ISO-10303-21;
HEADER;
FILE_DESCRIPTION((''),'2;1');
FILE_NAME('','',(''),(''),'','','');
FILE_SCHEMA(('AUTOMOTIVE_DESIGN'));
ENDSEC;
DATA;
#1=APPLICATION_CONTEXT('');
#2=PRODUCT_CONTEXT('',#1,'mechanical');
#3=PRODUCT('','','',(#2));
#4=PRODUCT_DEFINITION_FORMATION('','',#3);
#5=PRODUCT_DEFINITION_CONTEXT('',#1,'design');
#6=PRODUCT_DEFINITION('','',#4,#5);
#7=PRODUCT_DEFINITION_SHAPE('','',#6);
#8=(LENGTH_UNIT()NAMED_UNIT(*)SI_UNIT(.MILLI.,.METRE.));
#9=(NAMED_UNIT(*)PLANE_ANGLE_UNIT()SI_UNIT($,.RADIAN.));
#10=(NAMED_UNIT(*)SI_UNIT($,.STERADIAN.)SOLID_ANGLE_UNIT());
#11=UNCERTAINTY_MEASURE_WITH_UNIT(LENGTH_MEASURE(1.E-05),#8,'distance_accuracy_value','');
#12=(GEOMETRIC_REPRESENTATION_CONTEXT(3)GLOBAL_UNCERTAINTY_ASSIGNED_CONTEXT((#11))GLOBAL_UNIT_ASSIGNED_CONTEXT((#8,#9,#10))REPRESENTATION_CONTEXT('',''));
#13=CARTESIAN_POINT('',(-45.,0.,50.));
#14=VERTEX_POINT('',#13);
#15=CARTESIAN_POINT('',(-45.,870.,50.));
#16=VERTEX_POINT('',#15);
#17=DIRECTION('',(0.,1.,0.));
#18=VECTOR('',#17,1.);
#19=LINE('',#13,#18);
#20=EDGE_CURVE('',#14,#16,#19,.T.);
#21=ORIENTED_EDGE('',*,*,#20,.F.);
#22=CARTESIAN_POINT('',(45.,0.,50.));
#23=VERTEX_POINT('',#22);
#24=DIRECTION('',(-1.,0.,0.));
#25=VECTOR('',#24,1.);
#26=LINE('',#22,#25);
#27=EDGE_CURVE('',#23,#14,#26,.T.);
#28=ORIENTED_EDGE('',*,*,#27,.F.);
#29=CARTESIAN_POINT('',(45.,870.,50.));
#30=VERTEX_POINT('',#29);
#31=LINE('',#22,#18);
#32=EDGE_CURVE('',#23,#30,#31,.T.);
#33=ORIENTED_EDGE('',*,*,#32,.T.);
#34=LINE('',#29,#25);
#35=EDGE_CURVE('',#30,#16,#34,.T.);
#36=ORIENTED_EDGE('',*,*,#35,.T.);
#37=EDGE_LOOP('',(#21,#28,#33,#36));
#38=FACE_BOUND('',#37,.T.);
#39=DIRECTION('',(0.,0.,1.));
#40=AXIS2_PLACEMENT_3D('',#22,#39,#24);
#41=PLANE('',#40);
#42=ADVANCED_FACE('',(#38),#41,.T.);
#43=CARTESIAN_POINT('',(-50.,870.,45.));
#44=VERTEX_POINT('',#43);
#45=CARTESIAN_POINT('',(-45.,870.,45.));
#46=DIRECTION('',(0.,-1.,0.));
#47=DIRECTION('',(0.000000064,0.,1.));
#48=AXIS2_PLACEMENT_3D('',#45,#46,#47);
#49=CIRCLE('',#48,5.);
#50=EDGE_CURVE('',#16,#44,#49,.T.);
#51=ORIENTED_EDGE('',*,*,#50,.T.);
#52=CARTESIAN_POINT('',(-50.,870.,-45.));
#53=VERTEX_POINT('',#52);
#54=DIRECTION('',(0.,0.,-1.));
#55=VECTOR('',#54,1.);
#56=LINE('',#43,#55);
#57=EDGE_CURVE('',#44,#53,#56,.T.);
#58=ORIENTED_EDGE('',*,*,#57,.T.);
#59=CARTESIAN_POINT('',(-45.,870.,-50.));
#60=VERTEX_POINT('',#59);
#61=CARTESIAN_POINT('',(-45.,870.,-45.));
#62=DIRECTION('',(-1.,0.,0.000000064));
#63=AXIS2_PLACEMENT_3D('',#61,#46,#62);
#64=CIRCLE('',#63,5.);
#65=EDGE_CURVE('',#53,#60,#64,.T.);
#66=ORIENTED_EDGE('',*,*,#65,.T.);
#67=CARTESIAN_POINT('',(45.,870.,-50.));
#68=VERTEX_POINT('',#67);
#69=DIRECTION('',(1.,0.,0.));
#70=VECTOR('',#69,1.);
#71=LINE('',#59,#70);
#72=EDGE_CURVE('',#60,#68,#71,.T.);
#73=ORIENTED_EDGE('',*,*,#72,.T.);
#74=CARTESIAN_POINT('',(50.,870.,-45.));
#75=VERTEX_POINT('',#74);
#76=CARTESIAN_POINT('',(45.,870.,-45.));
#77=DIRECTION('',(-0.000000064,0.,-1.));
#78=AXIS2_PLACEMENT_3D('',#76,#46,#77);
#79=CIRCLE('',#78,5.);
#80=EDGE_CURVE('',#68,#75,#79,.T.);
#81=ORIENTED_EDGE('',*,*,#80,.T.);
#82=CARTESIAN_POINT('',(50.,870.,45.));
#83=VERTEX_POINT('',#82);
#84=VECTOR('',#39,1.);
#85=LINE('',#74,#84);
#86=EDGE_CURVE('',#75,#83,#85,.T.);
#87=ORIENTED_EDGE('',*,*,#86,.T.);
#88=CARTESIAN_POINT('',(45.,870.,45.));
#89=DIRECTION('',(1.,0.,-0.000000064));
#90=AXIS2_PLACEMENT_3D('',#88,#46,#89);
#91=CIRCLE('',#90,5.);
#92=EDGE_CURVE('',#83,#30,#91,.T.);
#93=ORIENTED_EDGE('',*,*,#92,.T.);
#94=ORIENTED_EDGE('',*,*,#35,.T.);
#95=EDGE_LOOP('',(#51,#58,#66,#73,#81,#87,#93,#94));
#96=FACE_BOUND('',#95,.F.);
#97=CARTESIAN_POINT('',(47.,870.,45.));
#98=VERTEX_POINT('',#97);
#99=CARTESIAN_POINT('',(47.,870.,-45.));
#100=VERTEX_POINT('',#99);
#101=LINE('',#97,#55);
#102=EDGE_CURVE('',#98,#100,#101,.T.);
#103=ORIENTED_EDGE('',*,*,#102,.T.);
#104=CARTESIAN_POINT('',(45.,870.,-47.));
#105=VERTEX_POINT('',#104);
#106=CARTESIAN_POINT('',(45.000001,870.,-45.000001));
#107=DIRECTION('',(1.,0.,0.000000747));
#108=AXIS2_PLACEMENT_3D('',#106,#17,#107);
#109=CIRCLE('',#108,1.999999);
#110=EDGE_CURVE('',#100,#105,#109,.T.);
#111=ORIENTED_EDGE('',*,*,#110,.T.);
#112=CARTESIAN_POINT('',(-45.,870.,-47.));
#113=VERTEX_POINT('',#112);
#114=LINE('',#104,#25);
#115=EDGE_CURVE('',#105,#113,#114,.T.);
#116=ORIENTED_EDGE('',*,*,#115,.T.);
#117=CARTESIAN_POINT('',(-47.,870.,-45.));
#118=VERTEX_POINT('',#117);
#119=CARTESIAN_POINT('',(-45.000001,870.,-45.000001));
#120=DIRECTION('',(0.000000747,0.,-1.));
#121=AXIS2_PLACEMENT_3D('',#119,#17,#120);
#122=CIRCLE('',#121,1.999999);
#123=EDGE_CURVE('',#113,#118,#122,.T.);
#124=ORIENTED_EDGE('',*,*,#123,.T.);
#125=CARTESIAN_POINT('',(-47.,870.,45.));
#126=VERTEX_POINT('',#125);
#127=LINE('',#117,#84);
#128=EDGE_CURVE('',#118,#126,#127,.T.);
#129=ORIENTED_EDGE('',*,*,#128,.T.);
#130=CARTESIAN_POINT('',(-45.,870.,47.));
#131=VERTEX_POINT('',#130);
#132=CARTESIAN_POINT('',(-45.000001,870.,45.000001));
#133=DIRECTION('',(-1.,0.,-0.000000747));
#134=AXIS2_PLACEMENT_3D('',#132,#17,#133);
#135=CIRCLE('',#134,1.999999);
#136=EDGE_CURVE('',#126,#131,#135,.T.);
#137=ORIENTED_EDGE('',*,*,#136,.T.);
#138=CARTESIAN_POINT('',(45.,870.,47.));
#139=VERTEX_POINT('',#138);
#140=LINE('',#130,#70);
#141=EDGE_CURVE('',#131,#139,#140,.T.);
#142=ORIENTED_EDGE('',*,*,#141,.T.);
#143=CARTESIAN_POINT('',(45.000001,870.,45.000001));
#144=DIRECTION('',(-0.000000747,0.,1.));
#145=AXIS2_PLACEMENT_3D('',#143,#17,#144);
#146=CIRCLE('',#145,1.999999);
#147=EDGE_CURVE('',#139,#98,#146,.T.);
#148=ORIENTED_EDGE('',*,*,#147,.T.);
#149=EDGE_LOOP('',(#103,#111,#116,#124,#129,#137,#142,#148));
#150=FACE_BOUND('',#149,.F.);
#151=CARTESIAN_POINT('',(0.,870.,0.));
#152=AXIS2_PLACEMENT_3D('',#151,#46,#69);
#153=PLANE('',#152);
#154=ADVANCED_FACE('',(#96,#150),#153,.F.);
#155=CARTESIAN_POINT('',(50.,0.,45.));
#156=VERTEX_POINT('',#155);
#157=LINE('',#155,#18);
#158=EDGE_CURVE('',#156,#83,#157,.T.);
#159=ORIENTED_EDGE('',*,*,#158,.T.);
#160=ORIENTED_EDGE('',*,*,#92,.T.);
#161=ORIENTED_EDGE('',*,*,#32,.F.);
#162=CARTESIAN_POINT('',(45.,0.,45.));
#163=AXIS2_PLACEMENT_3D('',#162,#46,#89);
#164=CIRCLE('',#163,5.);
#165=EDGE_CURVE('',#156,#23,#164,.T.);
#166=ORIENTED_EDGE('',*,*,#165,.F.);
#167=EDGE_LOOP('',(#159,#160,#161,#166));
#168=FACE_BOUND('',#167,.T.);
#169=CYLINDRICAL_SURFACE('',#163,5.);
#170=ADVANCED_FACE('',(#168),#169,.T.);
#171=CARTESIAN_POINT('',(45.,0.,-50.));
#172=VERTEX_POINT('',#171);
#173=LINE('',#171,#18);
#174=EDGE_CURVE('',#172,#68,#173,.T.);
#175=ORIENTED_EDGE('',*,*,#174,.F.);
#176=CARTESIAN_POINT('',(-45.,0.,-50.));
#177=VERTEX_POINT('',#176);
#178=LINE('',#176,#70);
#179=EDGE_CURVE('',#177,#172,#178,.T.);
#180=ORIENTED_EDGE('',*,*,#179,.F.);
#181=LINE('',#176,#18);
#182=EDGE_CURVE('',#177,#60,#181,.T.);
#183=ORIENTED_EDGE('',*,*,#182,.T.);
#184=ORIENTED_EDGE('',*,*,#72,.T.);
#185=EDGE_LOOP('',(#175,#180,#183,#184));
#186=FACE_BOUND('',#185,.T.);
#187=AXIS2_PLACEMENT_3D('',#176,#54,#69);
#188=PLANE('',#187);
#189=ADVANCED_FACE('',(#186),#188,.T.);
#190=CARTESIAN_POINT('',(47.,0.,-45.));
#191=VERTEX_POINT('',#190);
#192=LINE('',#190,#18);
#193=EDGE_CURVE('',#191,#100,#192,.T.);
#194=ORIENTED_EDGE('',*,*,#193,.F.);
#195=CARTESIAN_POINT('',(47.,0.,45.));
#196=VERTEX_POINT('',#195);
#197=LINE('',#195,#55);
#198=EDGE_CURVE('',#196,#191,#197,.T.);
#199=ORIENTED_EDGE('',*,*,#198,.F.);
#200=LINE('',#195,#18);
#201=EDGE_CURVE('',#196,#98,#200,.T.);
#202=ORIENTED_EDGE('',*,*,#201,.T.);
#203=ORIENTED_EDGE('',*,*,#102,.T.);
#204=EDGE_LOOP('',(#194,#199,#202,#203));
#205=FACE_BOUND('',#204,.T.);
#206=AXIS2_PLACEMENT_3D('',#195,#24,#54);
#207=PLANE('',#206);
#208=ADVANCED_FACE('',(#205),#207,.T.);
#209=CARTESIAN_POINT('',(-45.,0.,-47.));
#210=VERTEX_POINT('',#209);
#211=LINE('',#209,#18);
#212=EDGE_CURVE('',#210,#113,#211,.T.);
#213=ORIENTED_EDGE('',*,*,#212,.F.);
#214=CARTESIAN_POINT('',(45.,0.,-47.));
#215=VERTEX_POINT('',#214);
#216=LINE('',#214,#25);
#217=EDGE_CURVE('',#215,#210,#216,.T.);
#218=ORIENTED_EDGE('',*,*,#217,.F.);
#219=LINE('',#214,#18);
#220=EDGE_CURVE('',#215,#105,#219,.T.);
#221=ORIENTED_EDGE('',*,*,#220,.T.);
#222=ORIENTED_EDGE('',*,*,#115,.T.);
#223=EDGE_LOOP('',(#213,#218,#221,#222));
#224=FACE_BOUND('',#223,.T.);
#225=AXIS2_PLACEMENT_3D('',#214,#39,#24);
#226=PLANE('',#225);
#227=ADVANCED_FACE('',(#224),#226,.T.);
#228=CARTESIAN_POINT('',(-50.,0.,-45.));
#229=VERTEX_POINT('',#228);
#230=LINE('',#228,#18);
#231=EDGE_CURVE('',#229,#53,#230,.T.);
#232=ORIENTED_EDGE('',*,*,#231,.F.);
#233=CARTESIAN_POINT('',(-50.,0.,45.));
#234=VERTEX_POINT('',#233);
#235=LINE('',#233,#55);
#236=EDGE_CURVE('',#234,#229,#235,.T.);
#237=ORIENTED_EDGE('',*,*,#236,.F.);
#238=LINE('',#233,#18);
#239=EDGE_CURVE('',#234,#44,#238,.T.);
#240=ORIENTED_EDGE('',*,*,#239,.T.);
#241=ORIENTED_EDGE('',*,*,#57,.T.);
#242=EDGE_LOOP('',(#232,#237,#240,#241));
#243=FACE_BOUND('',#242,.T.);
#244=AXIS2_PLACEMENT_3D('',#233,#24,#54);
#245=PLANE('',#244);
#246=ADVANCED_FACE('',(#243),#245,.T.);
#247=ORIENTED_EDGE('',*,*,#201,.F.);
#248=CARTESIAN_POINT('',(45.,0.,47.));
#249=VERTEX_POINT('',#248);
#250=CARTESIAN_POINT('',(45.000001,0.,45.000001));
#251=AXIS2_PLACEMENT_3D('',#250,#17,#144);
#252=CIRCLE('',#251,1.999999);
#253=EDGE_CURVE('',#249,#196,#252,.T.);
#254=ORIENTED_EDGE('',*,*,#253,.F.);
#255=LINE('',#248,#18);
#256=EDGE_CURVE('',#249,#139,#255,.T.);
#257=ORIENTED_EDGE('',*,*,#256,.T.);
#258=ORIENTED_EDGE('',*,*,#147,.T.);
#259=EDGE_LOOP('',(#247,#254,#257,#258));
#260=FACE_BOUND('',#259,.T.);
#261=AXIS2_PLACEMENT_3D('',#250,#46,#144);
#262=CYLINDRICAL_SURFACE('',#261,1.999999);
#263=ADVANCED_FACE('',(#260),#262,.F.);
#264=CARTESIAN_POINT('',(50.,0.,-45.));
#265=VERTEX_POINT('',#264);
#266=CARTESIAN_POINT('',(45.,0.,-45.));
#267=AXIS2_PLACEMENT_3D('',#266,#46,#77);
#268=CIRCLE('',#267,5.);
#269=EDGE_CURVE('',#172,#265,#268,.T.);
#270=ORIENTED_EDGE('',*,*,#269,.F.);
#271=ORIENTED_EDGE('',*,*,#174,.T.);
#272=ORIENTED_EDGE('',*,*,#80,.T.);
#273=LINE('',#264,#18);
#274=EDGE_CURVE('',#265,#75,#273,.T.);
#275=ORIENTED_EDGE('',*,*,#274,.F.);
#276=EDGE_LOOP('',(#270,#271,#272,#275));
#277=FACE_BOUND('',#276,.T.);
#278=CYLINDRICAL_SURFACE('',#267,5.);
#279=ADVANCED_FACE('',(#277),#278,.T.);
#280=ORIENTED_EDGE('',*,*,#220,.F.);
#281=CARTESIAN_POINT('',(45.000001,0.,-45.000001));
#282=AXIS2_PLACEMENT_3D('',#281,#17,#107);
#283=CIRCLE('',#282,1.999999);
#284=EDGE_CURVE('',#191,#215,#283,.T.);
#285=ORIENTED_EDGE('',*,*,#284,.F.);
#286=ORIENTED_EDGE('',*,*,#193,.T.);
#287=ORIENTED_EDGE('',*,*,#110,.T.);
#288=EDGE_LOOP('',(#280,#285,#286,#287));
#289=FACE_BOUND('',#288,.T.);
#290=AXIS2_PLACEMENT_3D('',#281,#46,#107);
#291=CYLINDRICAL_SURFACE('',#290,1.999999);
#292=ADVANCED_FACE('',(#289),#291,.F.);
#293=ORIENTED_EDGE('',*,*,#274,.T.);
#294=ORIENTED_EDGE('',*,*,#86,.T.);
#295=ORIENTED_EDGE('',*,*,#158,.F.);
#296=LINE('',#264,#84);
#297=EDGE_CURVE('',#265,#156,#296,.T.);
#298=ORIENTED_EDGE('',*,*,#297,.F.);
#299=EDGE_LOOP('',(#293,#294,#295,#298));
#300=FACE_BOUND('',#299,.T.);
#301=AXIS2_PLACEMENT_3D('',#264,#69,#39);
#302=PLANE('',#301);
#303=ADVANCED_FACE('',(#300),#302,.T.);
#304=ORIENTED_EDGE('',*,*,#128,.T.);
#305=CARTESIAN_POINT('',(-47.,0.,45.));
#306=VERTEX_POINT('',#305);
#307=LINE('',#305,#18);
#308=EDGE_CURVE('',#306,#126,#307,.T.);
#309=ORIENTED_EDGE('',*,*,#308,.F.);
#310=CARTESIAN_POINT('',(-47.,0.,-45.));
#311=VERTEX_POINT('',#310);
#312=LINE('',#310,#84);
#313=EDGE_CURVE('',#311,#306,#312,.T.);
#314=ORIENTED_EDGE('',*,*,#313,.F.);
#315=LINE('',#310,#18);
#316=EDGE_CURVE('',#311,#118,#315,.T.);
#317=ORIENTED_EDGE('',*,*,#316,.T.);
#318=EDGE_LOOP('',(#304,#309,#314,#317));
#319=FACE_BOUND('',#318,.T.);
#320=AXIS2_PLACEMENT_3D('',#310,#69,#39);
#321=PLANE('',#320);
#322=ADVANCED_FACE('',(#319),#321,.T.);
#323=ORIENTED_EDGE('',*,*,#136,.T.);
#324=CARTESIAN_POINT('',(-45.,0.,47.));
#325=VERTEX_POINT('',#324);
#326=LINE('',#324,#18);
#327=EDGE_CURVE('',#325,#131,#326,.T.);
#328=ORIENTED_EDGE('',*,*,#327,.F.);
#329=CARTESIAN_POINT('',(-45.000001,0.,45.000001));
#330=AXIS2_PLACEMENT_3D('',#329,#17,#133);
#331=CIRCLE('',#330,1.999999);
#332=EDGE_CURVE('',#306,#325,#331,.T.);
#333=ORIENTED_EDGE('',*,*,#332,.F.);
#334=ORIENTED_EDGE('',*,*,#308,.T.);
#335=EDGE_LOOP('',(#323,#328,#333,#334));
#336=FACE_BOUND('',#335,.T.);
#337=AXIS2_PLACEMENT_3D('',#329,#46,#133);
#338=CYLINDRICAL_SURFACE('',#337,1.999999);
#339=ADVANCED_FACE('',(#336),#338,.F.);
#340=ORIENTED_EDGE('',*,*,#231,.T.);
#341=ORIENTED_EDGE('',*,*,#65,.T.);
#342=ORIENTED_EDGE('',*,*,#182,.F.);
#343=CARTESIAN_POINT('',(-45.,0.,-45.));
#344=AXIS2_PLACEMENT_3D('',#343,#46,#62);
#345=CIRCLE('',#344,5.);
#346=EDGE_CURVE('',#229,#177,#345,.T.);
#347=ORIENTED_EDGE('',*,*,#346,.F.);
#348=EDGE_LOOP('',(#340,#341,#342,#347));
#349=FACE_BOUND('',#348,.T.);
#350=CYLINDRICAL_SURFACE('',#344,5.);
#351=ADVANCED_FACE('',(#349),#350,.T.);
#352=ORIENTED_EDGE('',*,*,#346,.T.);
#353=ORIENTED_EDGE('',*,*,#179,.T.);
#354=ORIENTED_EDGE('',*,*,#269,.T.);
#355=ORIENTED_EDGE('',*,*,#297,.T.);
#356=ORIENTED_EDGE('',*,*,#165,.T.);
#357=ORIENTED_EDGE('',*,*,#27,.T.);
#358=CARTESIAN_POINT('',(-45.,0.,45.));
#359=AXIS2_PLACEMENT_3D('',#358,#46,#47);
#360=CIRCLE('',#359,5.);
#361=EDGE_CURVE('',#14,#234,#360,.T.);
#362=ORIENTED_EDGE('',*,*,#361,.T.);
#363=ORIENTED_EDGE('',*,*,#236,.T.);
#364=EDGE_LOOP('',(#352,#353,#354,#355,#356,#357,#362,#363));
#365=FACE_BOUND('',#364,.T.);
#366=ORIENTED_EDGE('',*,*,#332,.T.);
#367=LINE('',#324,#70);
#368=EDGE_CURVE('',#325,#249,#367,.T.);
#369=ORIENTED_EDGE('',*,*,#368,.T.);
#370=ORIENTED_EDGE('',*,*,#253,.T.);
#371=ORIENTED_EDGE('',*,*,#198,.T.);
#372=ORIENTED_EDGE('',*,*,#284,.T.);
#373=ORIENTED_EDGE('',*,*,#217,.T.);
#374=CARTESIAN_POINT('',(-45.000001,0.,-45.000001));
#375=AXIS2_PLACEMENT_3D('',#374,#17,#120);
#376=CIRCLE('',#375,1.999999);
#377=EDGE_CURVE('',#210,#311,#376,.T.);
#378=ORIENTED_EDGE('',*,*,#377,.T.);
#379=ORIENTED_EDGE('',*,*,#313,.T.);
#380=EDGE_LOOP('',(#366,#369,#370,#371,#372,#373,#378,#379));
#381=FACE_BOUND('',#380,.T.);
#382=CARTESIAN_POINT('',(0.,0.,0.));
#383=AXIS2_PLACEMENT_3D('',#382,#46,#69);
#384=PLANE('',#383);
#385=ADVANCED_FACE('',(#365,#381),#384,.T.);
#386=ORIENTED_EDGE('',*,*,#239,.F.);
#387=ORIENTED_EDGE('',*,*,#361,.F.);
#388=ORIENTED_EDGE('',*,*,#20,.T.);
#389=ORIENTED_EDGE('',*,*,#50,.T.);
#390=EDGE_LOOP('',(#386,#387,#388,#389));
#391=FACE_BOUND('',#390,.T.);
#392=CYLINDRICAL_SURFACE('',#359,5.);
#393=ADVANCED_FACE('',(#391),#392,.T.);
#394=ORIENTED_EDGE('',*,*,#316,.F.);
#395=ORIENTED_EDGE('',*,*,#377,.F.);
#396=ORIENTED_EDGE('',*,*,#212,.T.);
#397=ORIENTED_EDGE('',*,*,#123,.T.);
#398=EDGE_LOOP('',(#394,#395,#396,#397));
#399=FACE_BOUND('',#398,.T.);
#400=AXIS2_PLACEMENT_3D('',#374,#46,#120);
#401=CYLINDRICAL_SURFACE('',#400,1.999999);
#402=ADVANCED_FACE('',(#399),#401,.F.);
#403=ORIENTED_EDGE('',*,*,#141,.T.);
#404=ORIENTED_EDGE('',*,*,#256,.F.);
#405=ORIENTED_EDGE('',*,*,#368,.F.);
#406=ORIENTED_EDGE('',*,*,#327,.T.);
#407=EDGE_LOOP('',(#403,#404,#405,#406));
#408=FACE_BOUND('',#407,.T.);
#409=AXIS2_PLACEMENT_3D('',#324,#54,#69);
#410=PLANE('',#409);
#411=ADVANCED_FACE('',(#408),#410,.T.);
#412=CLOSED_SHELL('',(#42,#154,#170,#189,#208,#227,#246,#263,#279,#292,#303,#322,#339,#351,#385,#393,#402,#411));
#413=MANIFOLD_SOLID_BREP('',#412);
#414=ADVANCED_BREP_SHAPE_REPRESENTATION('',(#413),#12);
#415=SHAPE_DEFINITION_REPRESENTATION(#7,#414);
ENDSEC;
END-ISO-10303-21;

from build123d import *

# Parameters (mm, degrees)
F1_DEPTH = 870


with BuildPart() as f1:
    # F0 (on Front) → F1 (new body)
    with BuildSketch(Plane.XZ):
        with BuildLine():
            ThreePointArc((50, 45), (48.535534, 48.535534), (45, 50))
            Line((45, 50), (-45, 50))
            ThreePointArc((-45, 50), (-48.535534, 48.535534), (-50, 45))
            Line((-50, 45), (-50, -45))
            ThreePointArc((-50, -45), (-48.535534, -48.535534), (-45, -50))
            Line((-45, -50), (45, -50))
            ThreePointArc((45, -50), (48.535534, -48.535534), (50, -45))
            Line((50, -45), (50, 45))
        make_face()
        with BuildLine():
            ThreePointArc((-47, 45), (-46.414214, 46.414214), (-45, 47))
            Line((-45, 47), (45, 47))
            ThreePointArc((45, 47), (46.414214, 46.414214), (47, 45))
            Line((47, 45), (47, -45))
            ThreePointArc((47, -45), (46.414214, -46.414214), (45, -47))
            Line((45, -47), (-45, -47))
            ThreePointArc((-45, -47), (-46.414214, -46.414214), (-47, -45))
            Line((-47, -45), (-47, 45))
        make_face(mode=Mode.SUBTRACT)
    extrude(amount=-F1_DEPTH)


solid = f1.part
